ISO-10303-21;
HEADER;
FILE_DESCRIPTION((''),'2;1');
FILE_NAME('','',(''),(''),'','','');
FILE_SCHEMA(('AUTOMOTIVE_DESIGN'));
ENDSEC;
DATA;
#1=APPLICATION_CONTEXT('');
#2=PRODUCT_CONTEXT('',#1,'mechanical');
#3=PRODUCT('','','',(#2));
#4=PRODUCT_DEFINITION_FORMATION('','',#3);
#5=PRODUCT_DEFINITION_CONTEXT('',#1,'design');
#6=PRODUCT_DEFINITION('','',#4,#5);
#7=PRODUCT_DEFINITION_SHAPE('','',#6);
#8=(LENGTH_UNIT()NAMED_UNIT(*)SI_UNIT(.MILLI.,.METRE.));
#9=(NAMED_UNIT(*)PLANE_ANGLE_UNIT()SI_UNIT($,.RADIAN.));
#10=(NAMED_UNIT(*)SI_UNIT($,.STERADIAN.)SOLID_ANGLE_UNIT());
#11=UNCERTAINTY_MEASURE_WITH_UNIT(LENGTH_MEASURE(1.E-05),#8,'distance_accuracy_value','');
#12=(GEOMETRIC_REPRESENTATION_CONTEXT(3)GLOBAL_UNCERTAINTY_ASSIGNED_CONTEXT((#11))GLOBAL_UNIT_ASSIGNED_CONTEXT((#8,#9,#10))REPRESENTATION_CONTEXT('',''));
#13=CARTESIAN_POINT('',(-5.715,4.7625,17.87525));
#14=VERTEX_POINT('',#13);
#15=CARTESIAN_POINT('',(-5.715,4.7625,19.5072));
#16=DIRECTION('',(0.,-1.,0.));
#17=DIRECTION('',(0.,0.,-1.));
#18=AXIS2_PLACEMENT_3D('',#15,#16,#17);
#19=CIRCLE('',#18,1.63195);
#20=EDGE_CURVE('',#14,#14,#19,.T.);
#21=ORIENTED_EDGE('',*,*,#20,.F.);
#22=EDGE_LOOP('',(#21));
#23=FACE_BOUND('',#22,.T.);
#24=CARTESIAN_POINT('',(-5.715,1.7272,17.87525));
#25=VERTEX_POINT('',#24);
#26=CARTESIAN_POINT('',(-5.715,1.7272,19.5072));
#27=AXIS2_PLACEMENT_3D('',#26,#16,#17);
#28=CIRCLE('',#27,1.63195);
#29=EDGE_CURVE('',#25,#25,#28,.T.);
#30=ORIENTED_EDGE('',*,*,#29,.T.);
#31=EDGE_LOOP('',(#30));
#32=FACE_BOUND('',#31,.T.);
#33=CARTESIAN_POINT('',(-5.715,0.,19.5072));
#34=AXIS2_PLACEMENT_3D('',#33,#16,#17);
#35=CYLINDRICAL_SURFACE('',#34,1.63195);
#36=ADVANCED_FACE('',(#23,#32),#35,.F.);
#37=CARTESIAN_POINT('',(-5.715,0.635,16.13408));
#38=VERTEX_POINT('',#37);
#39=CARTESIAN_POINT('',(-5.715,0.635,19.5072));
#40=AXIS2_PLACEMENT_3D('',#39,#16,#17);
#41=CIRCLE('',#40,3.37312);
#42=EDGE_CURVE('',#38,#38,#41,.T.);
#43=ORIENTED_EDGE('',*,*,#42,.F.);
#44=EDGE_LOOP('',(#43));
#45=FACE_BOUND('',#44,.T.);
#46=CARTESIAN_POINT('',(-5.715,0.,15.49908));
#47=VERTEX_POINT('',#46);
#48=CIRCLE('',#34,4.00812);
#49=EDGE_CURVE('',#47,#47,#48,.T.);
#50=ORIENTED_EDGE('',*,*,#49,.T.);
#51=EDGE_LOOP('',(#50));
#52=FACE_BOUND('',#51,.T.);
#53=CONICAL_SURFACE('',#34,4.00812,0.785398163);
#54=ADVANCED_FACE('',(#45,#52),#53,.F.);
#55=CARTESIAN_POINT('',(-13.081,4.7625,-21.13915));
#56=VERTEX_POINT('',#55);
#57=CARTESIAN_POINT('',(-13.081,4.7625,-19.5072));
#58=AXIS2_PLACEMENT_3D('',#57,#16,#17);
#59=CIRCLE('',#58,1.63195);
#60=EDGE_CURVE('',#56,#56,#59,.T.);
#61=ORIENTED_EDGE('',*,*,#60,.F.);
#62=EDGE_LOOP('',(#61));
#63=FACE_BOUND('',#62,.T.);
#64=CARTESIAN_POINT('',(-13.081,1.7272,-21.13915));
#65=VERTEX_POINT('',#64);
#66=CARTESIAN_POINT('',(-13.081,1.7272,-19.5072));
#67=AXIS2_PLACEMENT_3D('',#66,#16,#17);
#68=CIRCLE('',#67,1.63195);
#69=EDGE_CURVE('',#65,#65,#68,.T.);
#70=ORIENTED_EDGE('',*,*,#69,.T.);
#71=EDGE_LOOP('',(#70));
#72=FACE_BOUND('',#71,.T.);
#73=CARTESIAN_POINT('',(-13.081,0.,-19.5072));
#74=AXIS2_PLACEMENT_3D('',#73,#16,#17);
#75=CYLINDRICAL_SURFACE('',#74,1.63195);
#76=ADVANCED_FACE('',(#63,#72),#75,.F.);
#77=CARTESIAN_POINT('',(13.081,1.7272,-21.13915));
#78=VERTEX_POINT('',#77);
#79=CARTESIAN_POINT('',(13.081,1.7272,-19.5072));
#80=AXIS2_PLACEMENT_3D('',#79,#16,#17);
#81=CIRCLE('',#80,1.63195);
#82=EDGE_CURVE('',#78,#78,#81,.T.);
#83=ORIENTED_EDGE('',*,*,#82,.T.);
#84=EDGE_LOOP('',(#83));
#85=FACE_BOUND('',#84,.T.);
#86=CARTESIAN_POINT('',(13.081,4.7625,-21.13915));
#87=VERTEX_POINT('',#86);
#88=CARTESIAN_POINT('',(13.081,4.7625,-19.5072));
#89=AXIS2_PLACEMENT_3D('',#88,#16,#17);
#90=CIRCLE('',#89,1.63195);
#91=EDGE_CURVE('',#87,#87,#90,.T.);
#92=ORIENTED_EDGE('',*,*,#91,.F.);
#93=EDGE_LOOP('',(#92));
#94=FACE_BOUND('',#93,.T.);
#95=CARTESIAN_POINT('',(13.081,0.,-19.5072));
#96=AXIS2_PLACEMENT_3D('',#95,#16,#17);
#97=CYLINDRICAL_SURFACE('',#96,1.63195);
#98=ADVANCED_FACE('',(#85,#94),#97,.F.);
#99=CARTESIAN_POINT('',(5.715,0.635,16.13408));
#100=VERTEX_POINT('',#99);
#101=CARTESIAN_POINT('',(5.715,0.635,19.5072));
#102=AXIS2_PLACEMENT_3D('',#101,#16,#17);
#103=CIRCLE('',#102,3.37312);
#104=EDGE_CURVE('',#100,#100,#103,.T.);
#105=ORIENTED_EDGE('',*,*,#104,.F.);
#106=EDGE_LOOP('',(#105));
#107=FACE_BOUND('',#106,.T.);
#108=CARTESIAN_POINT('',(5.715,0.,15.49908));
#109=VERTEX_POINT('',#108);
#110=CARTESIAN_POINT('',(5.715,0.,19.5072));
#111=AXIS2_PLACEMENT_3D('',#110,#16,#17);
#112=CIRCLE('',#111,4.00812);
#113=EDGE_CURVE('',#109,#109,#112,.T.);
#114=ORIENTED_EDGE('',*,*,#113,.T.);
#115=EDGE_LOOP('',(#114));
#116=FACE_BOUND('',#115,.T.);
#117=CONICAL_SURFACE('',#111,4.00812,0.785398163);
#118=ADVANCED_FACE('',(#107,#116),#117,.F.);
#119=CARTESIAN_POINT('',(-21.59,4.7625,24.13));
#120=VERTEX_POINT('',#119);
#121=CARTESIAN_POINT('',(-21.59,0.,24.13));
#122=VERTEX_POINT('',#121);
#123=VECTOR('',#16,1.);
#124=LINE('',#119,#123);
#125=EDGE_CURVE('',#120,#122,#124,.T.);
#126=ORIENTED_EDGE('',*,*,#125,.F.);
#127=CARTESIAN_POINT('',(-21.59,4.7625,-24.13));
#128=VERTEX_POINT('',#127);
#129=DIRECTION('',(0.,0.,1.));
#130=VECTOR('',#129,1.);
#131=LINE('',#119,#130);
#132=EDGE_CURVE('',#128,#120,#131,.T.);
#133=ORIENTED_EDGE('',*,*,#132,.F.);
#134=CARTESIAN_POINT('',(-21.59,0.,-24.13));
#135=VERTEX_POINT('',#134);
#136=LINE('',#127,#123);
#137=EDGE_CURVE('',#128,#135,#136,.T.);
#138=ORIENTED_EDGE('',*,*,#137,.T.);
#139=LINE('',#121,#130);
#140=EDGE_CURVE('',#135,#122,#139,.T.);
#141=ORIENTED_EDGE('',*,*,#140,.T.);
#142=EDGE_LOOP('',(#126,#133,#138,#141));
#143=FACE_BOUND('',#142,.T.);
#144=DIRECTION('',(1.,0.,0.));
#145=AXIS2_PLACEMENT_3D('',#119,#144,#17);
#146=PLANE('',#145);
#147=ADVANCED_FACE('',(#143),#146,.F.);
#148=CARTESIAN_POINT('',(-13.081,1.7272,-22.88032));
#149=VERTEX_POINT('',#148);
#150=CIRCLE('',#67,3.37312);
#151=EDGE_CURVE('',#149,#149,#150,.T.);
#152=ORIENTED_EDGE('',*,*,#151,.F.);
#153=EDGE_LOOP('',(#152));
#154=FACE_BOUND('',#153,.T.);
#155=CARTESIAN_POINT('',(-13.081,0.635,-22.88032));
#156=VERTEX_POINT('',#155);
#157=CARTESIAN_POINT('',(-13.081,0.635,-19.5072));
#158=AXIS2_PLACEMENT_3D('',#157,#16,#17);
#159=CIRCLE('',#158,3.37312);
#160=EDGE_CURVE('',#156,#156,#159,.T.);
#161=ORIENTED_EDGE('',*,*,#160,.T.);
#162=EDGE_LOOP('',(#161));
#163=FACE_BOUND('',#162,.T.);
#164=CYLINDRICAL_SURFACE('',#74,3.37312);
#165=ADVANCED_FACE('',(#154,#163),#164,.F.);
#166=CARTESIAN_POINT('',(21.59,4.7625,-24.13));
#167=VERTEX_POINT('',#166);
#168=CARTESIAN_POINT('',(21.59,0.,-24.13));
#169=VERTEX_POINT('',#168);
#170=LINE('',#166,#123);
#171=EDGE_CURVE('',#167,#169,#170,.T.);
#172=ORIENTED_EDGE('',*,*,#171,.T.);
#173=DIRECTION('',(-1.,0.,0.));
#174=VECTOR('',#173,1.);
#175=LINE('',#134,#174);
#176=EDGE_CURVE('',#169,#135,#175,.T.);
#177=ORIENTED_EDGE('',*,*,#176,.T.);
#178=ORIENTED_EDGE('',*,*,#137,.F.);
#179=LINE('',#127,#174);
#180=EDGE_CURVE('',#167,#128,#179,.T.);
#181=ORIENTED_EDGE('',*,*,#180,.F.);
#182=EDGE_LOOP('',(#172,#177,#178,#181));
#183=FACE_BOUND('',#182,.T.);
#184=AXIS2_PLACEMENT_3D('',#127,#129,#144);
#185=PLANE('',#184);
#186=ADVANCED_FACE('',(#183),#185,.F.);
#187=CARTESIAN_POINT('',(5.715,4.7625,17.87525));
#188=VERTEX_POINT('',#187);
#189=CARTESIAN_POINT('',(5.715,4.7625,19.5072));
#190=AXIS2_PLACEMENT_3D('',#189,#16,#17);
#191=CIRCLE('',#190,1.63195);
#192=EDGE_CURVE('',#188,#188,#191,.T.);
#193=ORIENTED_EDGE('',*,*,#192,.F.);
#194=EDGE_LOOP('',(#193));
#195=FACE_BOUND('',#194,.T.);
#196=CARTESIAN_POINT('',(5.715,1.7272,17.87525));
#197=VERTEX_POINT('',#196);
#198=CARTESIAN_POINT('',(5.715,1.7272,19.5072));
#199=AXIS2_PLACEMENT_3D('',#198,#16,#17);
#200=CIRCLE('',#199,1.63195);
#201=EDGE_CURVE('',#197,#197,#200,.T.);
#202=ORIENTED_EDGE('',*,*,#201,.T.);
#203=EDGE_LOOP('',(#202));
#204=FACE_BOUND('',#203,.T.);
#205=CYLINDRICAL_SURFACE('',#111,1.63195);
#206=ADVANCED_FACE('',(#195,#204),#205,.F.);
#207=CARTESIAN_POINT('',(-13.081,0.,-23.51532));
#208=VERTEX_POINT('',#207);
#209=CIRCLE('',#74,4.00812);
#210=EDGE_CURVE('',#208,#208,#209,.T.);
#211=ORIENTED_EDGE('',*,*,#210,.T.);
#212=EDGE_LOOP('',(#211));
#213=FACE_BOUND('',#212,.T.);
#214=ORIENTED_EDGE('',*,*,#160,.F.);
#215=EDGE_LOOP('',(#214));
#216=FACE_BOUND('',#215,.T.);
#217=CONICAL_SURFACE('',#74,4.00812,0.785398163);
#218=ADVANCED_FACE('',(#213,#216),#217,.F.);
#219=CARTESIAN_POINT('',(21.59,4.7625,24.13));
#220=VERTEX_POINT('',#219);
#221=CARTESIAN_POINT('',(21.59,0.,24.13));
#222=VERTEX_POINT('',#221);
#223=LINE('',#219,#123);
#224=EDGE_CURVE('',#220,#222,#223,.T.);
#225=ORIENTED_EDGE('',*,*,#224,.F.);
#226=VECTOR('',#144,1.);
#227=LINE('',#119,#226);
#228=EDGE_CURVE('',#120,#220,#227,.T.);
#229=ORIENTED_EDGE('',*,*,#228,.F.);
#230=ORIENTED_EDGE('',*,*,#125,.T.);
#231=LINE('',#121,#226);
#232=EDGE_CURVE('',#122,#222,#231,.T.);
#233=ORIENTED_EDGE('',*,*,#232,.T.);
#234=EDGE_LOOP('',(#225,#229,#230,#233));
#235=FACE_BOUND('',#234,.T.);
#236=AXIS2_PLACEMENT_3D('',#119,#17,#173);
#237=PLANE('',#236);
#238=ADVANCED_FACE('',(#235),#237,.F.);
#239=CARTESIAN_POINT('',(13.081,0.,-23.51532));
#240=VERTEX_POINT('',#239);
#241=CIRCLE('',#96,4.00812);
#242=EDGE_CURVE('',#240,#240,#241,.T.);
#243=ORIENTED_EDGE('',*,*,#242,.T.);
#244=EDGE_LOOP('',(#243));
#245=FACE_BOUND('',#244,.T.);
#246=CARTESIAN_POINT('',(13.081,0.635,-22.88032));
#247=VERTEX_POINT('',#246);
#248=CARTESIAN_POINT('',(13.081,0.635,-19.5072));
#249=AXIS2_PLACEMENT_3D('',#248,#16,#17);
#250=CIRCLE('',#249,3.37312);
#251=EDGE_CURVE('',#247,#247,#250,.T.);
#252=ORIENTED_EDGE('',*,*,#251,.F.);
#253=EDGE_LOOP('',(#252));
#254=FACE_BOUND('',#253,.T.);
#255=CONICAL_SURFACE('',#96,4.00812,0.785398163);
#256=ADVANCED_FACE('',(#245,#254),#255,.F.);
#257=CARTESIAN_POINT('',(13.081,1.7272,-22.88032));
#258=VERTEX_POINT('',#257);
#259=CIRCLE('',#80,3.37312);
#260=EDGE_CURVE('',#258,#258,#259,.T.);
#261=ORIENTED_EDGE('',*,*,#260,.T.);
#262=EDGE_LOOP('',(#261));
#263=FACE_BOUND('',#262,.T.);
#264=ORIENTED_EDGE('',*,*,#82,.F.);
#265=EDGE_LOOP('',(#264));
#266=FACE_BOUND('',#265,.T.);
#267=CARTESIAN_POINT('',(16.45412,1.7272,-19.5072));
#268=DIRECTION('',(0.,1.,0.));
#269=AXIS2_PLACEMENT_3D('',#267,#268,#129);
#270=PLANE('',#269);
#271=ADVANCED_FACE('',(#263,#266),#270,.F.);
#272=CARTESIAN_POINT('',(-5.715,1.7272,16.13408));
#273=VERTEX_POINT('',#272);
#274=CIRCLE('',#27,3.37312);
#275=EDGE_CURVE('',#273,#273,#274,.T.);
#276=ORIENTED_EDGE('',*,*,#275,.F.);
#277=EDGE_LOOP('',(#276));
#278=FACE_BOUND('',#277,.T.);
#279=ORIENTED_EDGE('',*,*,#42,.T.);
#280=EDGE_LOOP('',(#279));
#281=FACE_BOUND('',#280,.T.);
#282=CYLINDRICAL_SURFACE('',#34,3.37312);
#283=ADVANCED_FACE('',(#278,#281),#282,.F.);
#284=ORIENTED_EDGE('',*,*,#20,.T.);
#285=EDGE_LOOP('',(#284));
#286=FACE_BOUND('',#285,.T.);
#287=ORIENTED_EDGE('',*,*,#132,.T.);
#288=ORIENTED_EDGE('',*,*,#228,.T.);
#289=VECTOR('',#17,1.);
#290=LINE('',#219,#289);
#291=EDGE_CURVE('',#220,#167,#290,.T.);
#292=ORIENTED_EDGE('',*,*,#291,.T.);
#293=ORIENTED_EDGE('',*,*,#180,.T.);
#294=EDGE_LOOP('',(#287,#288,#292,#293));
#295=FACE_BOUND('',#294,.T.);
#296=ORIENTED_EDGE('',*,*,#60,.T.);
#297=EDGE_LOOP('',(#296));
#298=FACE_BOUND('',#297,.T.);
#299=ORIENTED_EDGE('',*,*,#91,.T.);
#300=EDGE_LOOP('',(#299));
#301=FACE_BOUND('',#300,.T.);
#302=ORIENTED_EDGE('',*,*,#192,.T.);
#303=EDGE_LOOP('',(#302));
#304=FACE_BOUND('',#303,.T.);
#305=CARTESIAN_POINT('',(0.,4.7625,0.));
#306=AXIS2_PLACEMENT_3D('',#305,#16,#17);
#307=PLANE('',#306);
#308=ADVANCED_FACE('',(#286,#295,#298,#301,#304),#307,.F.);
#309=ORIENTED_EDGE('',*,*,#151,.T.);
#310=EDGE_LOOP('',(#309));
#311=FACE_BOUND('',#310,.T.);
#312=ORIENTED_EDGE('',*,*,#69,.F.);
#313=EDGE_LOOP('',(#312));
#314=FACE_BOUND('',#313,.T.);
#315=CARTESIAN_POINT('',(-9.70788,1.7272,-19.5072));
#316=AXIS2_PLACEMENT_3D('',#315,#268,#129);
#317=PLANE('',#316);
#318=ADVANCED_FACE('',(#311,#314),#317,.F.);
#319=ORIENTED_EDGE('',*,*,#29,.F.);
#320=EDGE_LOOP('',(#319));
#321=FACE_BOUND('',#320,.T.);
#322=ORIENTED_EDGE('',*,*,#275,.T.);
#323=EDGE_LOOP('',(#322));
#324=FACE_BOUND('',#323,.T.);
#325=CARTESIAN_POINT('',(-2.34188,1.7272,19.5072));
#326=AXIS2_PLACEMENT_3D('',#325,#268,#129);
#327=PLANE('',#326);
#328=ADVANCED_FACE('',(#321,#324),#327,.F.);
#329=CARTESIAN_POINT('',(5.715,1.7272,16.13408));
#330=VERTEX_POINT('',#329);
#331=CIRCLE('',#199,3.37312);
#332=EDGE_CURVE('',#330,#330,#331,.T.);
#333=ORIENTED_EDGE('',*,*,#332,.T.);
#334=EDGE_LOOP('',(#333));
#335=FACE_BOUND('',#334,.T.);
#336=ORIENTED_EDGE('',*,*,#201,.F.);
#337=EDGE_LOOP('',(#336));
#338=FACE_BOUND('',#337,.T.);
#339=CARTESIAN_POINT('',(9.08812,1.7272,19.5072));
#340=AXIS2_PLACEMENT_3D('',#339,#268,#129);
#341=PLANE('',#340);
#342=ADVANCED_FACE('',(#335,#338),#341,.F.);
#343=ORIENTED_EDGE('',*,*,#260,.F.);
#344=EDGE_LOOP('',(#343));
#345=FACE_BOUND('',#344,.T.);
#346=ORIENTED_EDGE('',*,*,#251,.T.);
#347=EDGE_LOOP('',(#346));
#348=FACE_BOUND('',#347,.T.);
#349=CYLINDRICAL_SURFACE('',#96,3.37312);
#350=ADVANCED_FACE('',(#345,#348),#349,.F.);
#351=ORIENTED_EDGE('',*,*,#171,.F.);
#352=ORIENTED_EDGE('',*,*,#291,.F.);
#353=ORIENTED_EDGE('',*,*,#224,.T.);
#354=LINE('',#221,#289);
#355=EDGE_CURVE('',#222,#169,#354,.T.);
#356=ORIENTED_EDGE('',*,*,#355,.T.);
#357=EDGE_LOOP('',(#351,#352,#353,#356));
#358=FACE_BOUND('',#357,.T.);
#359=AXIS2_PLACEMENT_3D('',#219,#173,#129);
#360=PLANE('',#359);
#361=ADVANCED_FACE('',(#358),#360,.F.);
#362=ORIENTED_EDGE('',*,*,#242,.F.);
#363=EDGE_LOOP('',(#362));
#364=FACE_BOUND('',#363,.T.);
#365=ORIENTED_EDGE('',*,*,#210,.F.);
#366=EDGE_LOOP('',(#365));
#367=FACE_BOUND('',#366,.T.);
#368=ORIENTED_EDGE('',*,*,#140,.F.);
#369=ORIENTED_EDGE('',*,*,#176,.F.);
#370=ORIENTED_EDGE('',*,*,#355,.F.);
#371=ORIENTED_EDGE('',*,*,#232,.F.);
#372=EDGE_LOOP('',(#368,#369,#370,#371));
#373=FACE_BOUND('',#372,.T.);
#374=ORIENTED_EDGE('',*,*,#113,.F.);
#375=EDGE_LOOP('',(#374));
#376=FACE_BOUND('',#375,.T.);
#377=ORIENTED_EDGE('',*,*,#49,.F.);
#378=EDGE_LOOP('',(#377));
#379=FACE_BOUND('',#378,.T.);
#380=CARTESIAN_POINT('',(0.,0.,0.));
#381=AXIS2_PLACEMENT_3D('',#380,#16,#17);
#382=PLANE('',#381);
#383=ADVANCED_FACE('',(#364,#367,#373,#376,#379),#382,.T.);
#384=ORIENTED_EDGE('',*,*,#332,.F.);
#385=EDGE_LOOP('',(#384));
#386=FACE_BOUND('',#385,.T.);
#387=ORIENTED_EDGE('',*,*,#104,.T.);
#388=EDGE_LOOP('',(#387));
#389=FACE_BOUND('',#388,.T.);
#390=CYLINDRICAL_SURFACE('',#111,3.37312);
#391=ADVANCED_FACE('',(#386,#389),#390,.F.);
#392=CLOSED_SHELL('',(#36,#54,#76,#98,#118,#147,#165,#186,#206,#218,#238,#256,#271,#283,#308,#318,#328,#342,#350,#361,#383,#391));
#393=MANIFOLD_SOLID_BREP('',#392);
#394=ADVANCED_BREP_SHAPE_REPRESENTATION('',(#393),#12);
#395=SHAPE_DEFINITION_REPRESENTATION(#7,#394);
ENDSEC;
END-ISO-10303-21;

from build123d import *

# Parameters (mm, degrees)
SKETCH1_W             = 43.18
SKETCH1_H             = 48.26
BASE_DEPTH            = 4.7625
MOTORHOLES_AT_2_COUNT = 2
MOTORHOLES_AT_2_PITCH = 11.43
MOTORHOLES_AT_3_COUNT = 2
MOTORHOLES_AT_3_PITCH = 43.30603911
MOTORHOLES_AT_4_COUNT = 2
MOTORHOLES_AT_4_PITCH = 39.703669394


with BuildPart() as part:
    # Sketch1 → Base (new body)
    with BuildSketch(Plane(origin=(0, 0, 0), x_dir=(1, 0, 0), z_dir=(0, 1, 0))):
        Rectangle(SKETCH1_W, SKETCH1_H)
    extrude(amount=BASE_DEPTH)

    # Sketch2 → MotorHoles (revolve, cut)
    with BuildSketch(Plane(origin=(5.715, 0, 19.5072), x_dir=(0, 0, -1), z_dir=(1, 0, 0))):
        Polygon((0, 0), (0, 4.7625), (1.63195, 4.7625), (1.63195, 1.7272), (3.37312, 1.7272), (3.37312, 0.635), (4.00812, 0), align=None)
    motorholes = revolve(axis=Axis((5.715, -6.35, 19.5072), (0, 1, 0)), mode=Mode.SUBTRACT)

    # MotorHoles at 2: MotorHoles ×2
    with Locations(*[(-i * MOTORHOLES_AT_2_PITCH, 0, 0) for i in range(1, MOTORHOLES_AT_2_COUNT)]):
        add(motorholes, mode=Mode.SUBTRACT)

    # MotorHoles at 3: MotorHoles ×2
    with Locations(*[Vector(-0.43402722545097383, 0, -0.9008997544495889) * (i * MOTORHOLES_AT_3_PITCH) for i in range(1, MOTORHOLES_AT_3_COUNT)]):
        add(motorholes, mode=Mode.SUBTRACT)

    # MotorHoles at 4: MotorHoles ×2
    with Locations(*[Vector(0.1855244140503859, 0, -0.9826396551082502) * (i * MOTORHOLES_AT_4_PITCH) for i in range(1, MOTORHOLES_AT_4_COUNT)]):
        add(motorholes, mode=Mode.SUBTRACT)


solid = part.part
